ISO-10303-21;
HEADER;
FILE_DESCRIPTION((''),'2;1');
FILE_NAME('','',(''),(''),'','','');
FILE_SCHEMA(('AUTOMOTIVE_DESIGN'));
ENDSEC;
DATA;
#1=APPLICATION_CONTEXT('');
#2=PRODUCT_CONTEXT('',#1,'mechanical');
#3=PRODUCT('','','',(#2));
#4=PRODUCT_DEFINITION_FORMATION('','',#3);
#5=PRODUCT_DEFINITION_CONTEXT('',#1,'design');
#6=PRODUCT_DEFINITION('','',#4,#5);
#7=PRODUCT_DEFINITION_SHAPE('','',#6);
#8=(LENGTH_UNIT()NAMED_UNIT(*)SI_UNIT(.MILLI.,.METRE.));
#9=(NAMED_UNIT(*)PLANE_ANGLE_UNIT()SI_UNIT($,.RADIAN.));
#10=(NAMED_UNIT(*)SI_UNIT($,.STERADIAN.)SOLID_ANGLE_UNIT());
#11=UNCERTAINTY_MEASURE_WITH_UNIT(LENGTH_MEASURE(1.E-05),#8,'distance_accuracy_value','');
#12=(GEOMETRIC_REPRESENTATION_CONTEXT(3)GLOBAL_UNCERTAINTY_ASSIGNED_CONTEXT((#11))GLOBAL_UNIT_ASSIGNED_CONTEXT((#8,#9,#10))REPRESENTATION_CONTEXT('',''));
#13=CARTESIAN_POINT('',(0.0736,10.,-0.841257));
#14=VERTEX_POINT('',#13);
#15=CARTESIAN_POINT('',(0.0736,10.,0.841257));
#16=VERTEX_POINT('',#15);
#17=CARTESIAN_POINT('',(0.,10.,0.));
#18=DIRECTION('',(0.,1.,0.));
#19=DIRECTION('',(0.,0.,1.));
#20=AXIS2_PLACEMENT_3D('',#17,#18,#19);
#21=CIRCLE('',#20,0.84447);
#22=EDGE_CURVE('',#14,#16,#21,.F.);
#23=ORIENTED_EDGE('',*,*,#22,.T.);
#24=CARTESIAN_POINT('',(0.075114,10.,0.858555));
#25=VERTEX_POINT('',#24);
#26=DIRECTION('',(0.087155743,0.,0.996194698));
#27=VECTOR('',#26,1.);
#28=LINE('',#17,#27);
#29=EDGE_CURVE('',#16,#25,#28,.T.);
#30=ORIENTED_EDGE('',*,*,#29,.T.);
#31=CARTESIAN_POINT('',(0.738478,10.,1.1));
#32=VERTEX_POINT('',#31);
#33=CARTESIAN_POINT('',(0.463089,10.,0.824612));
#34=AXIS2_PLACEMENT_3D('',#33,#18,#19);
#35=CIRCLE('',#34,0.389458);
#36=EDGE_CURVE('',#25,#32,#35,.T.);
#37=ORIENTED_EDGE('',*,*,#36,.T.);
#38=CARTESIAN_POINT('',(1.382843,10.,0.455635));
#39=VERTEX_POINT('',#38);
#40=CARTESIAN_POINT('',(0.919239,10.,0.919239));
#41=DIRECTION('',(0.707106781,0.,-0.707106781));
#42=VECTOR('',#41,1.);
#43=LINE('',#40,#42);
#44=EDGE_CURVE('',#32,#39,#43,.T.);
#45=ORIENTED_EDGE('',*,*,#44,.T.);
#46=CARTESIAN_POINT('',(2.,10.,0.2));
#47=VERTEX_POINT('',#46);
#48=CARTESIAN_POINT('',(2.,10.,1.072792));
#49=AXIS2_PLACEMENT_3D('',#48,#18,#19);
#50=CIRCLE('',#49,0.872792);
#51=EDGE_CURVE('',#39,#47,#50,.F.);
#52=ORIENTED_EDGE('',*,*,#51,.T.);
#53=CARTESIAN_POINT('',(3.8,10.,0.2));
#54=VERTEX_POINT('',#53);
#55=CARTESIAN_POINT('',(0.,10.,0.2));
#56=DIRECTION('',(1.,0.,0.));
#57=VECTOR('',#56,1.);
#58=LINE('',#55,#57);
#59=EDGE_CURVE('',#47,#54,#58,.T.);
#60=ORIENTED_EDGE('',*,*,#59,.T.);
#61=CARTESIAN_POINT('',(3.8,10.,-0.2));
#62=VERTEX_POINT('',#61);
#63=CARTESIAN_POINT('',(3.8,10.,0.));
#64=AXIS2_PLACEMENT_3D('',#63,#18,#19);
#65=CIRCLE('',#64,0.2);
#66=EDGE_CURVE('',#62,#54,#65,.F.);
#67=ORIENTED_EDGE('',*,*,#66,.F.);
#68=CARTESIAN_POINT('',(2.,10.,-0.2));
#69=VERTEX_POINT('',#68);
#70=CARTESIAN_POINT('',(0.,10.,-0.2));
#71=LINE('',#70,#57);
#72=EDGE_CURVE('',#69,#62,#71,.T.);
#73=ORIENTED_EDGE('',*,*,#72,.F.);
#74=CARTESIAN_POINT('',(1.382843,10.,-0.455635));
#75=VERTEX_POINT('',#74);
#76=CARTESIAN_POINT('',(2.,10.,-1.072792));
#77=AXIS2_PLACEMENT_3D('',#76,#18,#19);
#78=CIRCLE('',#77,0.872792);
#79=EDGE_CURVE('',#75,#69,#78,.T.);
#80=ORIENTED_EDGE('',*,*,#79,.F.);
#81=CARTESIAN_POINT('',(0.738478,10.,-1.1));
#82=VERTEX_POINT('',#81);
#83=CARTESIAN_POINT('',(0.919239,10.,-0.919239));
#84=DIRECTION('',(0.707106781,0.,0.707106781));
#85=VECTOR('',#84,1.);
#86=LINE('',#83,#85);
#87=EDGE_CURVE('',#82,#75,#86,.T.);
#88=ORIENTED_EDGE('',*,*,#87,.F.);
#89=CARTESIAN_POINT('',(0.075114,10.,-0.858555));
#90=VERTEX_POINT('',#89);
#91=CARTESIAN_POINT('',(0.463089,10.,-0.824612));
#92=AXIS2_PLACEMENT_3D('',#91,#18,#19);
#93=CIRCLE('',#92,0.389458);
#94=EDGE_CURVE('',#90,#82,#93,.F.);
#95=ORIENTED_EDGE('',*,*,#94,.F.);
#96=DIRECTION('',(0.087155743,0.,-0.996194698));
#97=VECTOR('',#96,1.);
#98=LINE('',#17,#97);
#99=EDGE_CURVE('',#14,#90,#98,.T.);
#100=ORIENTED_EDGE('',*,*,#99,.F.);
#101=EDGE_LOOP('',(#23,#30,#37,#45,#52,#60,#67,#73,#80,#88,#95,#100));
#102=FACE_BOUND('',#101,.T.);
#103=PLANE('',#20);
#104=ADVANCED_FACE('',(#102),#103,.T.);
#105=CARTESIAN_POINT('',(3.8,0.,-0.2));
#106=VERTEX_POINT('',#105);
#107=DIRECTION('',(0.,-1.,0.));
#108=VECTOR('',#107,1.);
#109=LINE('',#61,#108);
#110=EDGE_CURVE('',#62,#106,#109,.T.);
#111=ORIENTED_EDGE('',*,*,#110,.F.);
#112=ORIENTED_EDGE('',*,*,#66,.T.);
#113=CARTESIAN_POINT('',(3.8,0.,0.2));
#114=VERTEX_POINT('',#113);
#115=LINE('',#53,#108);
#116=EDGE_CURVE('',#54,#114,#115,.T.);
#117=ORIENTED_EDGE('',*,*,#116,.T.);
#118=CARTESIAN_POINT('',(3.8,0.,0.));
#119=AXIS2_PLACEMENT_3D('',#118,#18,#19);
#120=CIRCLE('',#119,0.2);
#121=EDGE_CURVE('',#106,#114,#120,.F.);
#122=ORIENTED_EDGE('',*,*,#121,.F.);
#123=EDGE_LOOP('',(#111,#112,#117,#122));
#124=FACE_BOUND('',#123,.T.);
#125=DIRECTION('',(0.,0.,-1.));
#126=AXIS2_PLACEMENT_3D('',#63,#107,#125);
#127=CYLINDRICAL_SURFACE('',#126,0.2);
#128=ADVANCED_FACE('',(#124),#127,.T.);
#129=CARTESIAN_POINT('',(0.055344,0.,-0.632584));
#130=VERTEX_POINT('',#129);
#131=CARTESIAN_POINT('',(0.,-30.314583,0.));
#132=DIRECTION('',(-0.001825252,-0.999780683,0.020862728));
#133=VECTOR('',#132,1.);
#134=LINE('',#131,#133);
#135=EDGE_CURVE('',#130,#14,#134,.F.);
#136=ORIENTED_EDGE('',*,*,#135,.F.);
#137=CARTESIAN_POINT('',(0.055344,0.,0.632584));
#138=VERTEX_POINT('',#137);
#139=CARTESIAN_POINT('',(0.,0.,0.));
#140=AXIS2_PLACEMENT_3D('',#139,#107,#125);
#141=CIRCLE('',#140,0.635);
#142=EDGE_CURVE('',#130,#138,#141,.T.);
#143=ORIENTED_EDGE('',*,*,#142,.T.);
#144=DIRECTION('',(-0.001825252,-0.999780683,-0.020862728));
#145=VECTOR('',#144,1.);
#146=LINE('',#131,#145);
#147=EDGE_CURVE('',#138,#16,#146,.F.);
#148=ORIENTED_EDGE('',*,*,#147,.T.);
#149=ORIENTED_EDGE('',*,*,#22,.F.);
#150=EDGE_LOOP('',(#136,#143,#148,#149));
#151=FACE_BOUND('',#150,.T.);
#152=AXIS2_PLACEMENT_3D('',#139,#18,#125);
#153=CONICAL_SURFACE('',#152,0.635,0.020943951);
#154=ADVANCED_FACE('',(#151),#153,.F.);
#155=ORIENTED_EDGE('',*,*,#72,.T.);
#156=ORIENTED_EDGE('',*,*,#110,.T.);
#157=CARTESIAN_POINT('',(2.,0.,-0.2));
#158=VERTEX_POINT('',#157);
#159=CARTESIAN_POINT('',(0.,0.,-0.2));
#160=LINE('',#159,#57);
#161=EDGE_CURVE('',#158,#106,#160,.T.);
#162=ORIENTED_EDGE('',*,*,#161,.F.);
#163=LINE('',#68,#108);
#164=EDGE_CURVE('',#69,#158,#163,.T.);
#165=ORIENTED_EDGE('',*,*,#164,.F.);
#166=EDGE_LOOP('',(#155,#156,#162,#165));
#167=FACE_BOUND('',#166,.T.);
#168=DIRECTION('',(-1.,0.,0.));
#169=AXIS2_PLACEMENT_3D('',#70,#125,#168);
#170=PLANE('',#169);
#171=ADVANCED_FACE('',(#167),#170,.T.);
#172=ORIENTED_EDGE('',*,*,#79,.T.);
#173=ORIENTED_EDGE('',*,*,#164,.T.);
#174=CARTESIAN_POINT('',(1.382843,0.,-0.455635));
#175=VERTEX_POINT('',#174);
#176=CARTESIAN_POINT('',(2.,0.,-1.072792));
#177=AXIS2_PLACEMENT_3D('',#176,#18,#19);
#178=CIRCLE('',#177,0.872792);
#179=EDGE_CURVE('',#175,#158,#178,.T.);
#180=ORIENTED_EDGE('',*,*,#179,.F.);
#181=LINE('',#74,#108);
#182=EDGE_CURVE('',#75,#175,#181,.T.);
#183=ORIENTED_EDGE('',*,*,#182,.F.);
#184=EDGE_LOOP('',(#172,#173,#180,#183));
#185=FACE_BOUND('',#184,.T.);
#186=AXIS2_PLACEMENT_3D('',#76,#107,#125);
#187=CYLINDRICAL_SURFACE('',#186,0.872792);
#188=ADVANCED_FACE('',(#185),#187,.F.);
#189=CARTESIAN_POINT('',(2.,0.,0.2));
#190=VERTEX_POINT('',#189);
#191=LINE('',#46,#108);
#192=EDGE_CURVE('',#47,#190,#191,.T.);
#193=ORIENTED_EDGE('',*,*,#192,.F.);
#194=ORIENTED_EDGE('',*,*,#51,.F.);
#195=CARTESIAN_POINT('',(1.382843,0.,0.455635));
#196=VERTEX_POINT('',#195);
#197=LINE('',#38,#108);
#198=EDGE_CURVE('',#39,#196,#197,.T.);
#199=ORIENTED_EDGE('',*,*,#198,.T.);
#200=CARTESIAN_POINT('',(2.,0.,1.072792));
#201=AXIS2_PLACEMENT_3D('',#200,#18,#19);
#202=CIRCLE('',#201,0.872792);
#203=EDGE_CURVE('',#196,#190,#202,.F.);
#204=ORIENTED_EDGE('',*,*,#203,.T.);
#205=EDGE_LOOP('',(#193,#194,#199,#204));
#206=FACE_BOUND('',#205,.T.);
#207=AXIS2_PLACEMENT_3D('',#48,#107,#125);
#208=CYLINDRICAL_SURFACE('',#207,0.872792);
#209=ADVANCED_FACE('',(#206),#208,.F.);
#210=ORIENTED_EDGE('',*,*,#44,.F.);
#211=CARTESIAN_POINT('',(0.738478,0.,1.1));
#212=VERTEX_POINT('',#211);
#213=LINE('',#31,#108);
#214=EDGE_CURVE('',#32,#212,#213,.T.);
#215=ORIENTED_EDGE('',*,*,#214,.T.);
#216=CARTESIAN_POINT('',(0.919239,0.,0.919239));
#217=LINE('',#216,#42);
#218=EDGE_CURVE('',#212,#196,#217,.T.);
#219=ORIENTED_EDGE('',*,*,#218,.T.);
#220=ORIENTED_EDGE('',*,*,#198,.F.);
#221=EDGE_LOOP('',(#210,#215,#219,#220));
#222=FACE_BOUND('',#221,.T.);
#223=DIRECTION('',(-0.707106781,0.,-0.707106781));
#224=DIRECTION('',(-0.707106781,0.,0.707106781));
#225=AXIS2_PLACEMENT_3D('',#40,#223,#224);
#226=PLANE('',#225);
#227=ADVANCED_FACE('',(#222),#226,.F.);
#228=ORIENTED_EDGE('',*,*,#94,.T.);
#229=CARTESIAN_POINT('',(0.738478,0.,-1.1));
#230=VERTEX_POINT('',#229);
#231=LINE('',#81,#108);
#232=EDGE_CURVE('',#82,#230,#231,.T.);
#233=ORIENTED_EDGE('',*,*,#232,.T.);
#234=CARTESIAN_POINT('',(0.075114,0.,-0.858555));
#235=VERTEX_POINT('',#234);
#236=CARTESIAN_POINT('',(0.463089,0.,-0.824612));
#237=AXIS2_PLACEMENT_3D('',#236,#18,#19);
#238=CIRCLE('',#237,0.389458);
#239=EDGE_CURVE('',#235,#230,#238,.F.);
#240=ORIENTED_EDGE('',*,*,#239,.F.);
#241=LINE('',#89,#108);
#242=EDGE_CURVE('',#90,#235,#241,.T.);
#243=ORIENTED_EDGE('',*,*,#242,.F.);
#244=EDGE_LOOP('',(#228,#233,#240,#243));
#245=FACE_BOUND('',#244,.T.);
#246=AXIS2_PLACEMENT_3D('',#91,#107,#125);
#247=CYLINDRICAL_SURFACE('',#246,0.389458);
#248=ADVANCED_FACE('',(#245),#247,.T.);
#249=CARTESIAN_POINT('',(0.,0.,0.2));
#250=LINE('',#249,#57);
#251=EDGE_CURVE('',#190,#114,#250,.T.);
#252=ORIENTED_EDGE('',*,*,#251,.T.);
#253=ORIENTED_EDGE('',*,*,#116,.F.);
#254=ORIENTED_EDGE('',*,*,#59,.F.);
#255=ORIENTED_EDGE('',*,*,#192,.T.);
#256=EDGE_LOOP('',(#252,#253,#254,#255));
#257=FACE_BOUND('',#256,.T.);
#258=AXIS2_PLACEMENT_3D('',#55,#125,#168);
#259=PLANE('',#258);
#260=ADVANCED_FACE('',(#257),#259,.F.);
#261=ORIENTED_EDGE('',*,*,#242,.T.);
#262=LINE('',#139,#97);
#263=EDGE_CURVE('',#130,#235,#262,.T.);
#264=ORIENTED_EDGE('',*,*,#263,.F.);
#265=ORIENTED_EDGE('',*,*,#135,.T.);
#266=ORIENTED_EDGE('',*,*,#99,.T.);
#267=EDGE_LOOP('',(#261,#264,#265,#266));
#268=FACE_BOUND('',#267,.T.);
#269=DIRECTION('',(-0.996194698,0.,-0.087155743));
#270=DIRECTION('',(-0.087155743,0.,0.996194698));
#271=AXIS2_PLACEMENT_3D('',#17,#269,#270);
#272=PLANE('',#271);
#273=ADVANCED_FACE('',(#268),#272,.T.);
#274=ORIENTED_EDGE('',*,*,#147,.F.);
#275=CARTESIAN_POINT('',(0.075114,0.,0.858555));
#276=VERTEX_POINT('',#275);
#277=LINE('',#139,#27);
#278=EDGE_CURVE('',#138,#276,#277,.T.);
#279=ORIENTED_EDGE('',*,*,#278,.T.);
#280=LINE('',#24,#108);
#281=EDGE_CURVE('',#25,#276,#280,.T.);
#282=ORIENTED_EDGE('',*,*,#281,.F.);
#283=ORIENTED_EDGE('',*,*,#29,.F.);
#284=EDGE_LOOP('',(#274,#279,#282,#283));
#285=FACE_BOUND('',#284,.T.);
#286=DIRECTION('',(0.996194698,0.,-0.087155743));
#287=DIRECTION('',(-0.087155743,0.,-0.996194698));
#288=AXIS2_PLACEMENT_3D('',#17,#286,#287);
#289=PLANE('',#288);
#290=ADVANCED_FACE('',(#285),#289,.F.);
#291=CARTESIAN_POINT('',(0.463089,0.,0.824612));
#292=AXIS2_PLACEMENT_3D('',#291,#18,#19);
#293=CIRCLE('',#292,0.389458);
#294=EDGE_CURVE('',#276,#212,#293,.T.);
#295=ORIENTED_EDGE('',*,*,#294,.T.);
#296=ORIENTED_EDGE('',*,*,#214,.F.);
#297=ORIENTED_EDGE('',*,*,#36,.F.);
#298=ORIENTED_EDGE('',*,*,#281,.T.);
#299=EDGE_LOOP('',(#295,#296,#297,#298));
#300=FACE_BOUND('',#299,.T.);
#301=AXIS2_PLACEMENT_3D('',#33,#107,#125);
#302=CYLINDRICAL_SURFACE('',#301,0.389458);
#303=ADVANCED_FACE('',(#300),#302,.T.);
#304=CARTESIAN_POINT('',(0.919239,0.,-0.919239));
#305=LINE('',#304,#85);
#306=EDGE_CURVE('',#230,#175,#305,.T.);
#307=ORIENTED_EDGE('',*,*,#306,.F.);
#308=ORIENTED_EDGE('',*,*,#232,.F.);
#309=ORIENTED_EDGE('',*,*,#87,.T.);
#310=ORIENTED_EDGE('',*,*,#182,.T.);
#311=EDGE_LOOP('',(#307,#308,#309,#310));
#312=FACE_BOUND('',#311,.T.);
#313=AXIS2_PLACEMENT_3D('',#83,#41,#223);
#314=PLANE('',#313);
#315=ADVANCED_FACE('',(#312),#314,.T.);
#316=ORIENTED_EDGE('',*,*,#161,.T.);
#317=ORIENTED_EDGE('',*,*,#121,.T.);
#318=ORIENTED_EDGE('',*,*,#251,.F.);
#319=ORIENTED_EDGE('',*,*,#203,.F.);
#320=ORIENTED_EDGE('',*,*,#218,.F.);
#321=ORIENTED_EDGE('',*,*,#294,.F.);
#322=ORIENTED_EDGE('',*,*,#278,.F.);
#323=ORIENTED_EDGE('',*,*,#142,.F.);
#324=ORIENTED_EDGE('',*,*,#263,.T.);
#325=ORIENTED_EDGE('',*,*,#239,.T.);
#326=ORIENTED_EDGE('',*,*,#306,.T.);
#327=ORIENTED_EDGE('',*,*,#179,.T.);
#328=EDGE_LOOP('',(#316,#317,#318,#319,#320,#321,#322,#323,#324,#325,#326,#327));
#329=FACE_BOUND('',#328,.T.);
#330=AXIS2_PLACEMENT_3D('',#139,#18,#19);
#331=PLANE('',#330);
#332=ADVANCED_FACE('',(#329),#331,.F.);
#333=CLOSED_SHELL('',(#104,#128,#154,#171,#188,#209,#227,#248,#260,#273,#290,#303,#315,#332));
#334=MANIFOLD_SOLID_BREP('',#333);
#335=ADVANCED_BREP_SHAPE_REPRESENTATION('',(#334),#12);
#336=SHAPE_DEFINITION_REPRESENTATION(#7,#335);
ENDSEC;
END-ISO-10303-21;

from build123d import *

# Parameters (mm, degrees)
BOSS_EXTRUDE2_DEPTH = 10
SKETCH5_R           = 0.635
CUT_EXTRUDE1_DEPTH  = 10
CUT_EXTRUDE1_DRAFT  = 1.2


with BuildPart() as part:
    # Sketch2 → Boss-Extrude2 (new body)
    with BuildSketch(Plane(origin=(0, 0, 0), x_dir=(1, 0, 0), z_dir=(0, 1, 0))):
        with BuildLine():
            Line((0.055343897, 0.632583633), (0.075113859, 0.858555332))
            ThreePointArc((0.075113859, 0.858555332), (0.329887136, 1.190582332), (0.738477631, 1.1))
            Line((0.738477631, 1.1), (1.382842712, 0.455634919))
            ThreePointArc((1.382842712, 0.455634919), (1.665996883, 0.266437351), (2, 0.2))
            Line((2, 0.2), (3.8, 0.2))
            ThreePointArc((3.8, 0.2), (4, 0), (3.8, -0.2))
            Line((3.8, -0.2), (2, -0.2))
            ThreePointArc((2, -0.2), (1.665996883, -0.266437351), (1.382842712, -0.455634919))
            Line((1.382842712, -0.455634919), (0.738477631, -1.1))
            ThreePointArc((0.738477631, -1.1), (0.329887136, -1.190582332), (0.075113859, -0.858555332))
            Line((0.075113859, -0.858555332), (0.055343897, -0.632583633))
            Line((0.055343897, -0.632583633), (0.055343897, 0.632583633))
        make_face()
    extrude(amount=BOSS_EXTRUDE2_DEPTH)


with BuildPart() as cut_extrude1_tool:
    # Sketch5 → Cut-Extrude1 (with draft: the straight prism first)
    with BuildSketch(Plane.XZ):
        Circle(SKETCH5_R)
    extrude(amount=-CUT_EXTRUDE1_DEPTH)
    # Cut-Extrude1: the draft: its side faces are tilted about the plane it starts from
    cut_extrude1_sides = [cut_extrude1_tool.faces().sort_by_distance(p)[0] for p in [
        (-0.635, 5, 0),
    ]]
    draft(cut_extrude1_sides, Plane.XZ, CUT_EXTRUDE1_DRAFT)


with BuildPart() as part_1:
    add(part.part)

    # Cut-Extrude1: cut by cut_extrude1_tool
    add(cut_extrude1_tool.part, mode=Mode.SUBTRACT)


solid = part_1.part
